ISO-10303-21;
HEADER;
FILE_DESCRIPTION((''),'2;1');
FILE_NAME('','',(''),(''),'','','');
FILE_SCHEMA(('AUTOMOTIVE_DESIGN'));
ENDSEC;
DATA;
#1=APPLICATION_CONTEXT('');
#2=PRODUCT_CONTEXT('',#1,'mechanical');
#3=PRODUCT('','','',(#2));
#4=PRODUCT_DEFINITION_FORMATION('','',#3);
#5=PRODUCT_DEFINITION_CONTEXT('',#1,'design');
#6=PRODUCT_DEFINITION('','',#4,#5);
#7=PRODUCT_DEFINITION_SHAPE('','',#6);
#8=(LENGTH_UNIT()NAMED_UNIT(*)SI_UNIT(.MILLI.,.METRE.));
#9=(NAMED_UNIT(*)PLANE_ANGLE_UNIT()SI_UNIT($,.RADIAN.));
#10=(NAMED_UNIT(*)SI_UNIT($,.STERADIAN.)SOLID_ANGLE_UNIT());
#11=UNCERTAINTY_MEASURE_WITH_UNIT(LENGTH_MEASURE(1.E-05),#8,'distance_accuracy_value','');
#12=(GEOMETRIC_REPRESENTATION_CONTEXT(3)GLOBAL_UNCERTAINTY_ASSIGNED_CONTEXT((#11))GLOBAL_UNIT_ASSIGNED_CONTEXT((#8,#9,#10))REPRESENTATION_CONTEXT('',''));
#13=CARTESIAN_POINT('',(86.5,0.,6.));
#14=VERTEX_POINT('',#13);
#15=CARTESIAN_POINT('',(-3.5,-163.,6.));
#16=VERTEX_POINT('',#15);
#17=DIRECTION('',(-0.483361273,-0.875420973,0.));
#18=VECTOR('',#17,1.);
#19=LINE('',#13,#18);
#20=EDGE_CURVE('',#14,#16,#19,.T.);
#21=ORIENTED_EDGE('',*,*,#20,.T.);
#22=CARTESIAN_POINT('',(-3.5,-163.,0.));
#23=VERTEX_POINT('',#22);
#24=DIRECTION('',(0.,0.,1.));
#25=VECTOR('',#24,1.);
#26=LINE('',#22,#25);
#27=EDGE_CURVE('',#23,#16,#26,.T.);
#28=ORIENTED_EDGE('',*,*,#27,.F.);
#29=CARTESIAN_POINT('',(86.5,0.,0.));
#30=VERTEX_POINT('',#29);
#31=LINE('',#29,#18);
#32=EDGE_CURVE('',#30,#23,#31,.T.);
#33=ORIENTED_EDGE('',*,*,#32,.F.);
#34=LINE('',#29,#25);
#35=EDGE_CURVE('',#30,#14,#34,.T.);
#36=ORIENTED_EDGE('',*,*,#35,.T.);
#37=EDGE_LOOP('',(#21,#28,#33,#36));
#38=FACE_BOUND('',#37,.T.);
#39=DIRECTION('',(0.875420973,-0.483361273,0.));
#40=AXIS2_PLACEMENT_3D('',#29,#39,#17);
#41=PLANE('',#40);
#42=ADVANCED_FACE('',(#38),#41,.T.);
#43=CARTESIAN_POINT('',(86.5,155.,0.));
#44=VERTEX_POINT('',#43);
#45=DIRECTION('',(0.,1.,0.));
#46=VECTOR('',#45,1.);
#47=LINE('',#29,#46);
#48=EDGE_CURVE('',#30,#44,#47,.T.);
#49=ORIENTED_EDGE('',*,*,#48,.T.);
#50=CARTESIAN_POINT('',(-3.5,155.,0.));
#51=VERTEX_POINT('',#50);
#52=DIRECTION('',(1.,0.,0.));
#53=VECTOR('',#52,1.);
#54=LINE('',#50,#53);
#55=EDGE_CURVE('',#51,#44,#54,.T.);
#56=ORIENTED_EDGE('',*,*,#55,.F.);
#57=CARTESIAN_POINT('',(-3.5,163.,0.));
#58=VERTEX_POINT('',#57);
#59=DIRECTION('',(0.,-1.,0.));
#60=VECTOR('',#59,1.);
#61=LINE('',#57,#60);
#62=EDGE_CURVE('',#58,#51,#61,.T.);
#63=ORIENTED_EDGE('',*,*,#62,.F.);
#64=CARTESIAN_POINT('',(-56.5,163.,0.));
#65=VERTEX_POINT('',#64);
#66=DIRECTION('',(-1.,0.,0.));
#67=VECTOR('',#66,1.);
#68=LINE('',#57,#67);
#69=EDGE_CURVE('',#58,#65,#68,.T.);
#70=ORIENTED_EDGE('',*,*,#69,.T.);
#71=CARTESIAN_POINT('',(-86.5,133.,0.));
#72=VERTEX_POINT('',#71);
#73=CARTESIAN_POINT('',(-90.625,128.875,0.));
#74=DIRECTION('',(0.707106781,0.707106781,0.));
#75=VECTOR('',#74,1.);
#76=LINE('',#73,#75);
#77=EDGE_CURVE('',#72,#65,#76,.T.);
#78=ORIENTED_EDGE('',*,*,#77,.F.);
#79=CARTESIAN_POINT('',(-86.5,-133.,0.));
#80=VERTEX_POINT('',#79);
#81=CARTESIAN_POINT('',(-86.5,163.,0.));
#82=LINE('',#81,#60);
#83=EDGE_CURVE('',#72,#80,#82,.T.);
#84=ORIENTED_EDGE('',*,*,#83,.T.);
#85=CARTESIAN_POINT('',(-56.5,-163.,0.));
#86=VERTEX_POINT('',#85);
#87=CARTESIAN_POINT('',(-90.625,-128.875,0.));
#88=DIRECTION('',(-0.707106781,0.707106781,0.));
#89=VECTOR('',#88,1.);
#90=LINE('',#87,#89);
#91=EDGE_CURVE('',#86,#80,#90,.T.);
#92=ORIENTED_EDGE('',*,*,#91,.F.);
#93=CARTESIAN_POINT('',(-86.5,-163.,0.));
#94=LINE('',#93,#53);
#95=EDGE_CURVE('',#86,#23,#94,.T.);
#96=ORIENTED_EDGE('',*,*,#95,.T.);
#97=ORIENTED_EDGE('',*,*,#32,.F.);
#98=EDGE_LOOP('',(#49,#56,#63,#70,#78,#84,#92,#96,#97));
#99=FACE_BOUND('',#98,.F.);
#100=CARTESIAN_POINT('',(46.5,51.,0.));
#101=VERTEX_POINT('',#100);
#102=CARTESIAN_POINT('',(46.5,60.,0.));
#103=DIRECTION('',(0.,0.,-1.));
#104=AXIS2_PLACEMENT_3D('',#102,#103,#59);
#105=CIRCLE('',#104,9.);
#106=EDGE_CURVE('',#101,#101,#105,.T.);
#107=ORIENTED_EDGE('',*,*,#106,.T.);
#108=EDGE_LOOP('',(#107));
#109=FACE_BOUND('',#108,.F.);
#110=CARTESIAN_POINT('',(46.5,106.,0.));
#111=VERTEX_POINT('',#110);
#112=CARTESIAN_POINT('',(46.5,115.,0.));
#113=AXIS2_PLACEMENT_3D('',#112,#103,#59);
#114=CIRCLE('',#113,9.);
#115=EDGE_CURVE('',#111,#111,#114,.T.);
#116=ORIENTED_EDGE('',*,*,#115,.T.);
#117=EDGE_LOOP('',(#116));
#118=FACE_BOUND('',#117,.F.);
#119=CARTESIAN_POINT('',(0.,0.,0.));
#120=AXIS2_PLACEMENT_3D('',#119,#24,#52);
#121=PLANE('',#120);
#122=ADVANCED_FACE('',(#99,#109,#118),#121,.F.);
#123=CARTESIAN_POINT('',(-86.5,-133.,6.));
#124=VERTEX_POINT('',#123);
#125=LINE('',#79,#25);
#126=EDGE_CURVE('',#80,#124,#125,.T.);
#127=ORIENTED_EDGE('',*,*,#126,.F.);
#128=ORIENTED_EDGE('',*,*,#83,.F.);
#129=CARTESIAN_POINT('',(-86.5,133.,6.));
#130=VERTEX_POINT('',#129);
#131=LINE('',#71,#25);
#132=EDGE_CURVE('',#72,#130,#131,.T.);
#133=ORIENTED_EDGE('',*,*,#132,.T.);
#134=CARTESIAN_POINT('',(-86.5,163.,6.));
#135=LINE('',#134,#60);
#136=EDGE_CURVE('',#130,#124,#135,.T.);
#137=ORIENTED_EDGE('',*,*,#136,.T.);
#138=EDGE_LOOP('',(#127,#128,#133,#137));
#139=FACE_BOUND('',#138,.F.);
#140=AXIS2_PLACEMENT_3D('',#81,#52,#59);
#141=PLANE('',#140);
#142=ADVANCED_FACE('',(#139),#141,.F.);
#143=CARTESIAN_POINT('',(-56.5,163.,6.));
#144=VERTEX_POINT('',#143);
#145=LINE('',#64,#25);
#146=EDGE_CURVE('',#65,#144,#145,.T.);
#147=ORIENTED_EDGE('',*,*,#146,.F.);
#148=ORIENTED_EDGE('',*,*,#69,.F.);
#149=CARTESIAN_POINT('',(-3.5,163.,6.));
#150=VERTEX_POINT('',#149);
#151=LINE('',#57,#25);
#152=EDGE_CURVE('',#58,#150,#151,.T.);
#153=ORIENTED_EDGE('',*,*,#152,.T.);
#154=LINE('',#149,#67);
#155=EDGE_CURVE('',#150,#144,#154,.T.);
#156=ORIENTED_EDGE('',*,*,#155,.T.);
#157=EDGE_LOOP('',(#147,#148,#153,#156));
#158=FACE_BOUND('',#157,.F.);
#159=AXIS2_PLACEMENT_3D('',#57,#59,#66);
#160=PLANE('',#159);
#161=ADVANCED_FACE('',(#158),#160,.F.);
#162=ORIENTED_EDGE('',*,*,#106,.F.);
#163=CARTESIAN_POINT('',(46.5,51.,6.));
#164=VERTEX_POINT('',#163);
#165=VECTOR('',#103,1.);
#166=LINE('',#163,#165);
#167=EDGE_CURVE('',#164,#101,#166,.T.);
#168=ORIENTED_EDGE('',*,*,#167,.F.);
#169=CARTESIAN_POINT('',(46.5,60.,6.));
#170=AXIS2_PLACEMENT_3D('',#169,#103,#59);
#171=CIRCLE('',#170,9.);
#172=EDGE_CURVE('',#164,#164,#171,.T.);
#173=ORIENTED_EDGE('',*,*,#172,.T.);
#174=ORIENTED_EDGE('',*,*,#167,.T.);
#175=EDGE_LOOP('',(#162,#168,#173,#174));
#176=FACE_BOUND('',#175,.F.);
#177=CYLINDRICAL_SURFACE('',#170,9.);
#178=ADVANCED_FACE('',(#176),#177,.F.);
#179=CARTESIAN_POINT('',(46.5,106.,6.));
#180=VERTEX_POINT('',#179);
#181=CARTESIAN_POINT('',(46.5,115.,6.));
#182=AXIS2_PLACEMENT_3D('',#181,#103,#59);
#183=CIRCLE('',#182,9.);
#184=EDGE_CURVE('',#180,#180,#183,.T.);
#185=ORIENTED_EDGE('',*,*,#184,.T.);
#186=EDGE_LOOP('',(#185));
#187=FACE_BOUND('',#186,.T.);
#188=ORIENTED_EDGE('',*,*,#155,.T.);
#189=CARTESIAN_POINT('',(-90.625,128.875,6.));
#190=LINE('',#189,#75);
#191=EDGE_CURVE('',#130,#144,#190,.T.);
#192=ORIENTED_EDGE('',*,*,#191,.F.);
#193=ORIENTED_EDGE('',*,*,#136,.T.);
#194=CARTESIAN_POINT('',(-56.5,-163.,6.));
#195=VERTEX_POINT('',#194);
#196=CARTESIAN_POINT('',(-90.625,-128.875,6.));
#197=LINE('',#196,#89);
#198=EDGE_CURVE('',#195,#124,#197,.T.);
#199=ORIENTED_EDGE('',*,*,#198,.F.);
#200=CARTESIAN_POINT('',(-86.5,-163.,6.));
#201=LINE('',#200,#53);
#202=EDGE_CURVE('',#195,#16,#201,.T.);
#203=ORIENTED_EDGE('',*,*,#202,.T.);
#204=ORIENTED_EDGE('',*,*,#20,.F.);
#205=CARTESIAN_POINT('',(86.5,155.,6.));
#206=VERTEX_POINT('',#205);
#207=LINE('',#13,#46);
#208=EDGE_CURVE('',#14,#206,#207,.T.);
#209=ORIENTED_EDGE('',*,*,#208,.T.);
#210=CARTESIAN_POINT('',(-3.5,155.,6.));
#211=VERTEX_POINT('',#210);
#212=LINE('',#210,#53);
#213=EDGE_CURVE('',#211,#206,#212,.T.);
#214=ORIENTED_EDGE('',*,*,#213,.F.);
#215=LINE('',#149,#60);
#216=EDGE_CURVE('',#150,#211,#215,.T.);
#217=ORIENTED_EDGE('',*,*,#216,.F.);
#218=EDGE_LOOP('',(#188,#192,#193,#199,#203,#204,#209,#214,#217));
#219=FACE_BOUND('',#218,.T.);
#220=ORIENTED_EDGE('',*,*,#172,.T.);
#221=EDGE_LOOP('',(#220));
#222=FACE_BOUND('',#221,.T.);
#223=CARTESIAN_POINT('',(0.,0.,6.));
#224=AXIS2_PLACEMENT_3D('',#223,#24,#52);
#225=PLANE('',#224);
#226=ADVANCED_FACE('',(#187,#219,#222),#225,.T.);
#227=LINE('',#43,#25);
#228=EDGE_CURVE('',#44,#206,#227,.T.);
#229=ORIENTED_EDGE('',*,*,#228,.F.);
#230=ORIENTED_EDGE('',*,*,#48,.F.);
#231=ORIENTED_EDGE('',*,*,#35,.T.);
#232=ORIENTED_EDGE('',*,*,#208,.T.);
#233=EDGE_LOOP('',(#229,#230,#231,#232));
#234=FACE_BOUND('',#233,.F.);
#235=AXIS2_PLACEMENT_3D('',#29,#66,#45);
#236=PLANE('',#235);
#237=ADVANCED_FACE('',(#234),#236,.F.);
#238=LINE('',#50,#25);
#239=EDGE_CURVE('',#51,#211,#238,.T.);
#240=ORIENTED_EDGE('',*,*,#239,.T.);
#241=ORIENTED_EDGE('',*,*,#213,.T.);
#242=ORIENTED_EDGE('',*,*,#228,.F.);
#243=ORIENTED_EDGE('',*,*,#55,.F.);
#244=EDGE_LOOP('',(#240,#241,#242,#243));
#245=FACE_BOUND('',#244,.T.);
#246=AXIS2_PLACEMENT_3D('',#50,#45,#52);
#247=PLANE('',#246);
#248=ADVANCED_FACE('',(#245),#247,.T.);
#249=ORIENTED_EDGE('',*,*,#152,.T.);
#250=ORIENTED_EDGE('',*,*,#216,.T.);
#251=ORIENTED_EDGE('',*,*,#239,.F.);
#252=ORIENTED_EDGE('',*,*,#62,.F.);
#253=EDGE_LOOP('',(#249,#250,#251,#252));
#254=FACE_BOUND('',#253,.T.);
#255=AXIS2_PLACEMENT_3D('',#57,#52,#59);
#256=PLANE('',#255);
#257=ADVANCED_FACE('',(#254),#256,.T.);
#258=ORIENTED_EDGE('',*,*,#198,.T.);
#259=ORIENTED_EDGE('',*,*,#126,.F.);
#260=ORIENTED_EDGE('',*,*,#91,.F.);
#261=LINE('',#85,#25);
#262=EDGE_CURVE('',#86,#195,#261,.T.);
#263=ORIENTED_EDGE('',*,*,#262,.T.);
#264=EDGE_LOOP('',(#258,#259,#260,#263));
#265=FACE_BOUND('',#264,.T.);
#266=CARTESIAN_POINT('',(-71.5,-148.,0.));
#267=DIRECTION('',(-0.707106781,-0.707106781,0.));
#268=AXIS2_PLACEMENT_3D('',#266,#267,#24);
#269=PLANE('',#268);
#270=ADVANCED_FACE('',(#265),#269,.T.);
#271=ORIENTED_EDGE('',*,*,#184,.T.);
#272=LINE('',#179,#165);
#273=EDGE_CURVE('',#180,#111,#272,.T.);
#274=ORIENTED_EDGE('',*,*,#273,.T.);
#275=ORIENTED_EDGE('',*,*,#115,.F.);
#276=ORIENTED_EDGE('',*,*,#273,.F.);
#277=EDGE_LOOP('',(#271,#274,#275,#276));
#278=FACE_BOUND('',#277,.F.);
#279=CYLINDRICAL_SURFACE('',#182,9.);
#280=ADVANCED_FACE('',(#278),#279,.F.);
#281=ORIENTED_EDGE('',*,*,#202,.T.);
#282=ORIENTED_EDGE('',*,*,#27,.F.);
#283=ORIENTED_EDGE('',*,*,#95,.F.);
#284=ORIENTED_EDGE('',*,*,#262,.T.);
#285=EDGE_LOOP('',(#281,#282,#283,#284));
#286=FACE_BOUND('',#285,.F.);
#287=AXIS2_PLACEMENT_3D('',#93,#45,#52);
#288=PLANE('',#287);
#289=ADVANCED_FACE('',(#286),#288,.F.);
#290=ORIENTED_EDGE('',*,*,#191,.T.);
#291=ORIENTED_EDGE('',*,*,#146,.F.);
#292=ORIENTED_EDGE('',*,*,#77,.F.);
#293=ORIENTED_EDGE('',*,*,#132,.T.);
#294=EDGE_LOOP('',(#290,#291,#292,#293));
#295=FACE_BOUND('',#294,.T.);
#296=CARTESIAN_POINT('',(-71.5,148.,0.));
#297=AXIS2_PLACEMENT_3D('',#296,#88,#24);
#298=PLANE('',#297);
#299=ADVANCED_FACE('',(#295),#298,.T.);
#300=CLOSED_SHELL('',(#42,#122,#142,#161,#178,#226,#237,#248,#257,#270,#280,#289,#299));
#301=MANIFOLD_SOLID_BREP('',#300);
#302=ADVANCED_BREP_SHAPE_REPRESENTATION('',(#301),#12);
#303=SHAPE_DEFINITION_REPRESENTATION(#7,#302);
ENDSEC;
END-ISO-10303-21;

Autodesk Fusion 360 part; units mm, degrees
sketch "スケッチ1" plane through (0, 0, 0) normal (0, 0, 1) x (1, 0, 0)
  line L0 (-3.5, 163) -> (-86.5, 163)
  line L1 (-86.5, 163) -> (-86.5, -163)
  line L2 (-86.5, -163) -> (-3.5, -163)
  line L3 (86.5, 0) -> (86.5, 155)
  line L4 (82.2546, 155) -> (-86.5, -163) construction
  line L5 (-86.5, 163) -> (42.3924, -79.8839) construction
  line L6 (-3.5, 163) -> (-3.5, 155)
  line L7 (-3.5, 155) -> (86.5, 155)
  line L8 (-86.5, -163) -> (-3.5, -163) construction
  line L9 (86.5, 0) -> (-3.5, -163)
  dimension "d2" = 326
  dimension "d5" = 83
  dimension "d15" = 163
extrude "押し出し1" add sketch "スケッチ1" along normal blind 6
chamfer "面取り1" distance 30 angle 45 2 edges at (-86.5, -163, 3) (-86.5, 163, 3)
sketch "スケッチ2" plane through (0, 0, 6) normal (0, 0, 1) x (-1, 0, 0)
  line L0 (56.5, -163) -> (86.5, -133)
  line L1 (86.5, -133) -> (86.5, 133)
  line L2 (86.5, 133) -> (56.5, 163)
  line L3 (56.5, 163) -> (3.5, 163)
  line L4 (3.5, 163) -> (-86.5, 0)
  line L5 (-86.5, 0) -> (-86.5, -155)
  line L6 (-86.5, -155) -> (3.5, -155)
  line L7 (3.5, -155) -> (3.5, -163)
  line L8 (3.5, -163) -> (56.5, -163)
  line L9 (-86.5, -155) -> (-46.5, -155) construction
  line L10 (-46.5, -155) -> (-46.5, -115) construction
  line L11 (-46.5, -115) -> (-86.5, -115) construction
  line L12 (-86.5, -115) -> (-86.5, -155) construction
  line L13 (-46.5, -115) -> (-46.5, -60) construction
  point P0 (-46.5, -115)
  point P1 (-46.5, -60)
  dimension "d10" = 40
  dimension "d11" = 40
  dimension "d12" = 55
hole "穴1" at (46.5, 115, 6) at (46.5, 60, 6) direction (0, 0, -1) diameter 18 end through all
equation "d5 = 30 mm + 53 mm"
